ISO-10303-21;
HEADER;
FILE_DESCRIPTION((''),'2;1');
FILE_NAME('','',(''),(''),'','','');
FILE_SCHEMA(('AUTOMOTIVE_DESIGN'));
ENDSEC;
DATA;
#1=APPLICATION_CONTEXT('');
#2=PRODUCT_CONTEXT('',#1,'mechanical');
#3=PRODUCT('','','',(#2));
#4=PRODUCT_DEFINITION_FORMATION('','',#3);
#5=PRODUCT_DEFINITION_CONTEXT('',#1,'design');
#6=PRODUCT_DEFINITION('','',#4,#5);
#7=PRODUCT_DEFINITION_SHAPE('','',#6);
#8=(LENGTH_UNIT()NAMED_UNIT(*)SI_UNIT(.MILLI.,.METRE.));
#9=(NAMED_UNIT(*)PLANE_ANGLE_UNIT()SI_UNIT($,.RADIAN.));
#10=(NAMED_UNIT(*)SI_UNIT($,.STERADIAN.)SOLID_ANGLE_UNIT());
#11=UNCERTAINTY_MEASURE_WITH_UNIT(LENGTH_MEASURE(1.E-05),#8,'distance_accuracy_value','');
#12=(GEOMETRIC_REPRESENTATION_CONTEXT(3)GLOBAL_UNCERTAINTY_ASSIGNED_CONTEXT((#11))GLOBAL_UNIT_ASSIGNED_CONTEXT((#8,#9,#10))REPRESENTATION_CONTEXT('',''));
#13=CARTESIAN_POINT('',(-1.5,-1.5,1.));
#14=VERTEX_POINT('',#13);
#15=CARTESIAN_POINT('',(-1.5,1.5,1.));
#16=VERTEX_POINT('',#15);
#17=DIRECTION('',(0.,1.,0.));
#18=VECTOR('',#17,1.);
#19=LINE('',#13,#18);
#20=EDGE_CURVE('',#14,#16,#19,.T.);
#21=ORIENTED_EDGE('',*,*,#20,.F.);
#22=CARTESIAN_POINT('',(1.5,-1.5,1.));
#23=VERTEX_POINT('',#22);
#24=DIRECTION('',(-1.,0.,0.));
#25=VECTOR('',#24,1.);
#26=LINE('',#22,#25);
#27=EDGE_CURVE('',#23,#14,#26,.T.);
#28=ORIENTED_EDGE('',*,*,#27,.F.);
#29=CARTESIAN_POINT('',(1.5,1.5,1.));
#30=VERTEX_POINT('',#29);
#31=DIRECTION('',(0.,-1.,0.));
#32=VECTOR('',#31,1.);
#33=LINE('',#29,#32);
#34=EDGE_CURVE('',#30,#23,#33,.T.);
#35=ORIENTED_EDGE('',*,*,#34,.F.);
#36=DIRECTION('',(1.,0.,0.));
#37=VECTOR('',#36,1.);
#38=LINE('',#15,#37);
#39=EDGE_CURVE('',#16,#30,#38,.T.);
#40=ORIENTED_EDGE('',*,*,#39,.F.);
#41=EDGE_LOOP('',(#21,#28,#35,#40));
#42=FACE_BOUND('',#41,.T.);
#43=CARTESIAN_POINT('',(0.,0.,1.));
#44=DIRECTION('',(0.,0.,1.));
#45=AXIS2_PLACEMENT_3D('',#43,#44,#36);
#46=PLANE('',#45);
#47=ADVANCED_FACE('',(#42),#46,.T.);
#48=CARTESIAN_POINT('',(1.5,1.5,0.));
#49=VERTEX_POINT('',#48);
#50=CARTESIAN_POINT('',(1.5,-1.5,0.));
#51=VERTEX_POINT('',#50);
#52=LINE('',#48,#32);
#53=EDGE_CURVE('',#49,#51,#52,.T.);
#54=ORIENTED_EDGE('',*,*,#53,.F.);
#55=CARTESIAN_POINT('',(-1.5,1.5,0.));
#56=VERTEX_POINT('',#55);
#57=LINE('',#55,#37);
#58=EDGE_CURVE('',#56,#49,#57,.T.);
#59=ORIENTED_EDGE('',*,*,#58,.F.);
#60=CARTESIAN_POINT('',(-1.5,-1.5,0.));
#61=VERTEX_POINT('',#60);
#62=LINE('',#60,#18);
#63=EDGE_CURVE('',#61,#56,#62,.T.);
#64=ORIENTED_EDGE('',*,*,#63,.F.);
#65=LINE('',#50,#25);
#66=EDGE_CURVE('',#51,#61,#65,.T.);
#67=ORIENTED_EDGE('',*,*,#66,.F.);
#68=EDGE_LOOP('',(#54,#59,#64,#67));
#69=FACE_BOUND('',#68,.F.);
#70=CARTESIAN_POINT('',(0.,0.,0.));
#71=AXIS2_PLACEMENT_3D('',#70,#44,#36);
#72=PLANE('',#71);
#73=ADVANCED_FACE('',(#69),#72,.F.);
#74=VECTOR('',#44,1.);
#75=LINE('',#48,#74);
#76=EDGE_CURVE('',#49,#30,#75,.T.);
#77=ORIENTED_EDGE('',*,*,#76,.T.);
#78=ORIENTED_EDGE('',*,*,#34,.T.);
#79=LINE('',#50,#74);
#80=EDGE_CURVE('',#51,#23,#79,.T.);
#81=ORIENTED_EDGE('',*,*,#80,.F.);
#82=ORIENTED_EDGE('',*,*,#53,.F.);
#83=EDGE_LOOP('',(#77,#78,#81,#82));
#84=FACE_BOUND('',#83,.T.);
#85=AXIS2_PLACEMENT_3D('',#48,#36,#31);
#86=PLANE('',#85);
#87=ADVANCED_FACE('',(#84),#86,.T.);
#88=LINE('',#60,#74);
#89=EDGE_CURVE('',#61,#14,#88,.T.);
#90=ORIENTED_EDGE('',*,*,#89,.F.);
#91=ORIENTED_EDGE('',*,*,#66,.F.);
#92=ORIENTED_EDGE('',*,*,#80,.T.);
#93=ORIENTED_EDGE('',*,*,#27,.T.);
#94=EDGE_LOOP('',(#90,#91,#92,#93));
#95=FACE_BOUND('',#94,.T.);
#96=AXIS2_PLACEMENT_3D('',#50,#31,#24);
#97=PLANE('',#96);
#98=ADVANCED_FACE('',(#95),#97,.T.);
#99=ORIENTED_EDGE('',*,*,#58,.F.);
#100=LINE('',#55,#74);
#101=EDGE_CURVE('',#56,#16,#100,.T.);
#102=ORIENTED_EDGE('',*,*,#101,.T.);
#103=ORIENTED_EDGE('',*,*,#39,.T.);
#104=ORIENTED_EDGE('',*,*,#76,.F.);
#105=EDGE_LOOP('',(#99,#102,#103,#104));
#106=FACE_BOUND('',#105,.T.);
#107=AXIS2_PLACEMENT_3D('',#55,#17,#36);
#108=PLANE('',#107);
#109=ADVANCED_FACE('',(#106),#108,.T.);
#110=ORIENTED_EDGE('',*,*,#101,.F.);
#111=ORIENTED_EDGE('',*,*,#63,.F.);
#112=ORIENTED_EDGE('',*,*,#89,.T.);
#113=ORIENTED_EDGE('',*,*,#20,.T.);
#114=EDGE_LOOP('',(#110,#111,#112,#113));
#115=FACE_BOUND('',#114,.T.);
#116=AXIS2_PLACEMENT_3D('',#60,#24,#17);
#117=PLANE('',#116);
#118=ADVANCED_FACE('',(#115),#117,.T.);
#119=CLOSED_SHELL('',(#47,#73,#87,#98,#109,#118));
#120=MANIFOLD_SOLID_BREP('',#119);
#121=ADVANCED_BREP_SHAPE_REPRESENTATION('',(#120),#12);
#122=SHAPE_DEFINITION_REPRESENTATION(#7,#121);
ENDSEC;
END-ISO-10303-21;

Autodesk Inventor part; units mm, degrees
ref_plane "YZ Plane" through (0, 0, 0) normal (1, 0, 0) x (0, 1, 0)
ref_plane "XZ Plane" through (0, 0, 0) normal (0, 1, 0) x (-1, 0, 0)
ref_plane "XY Plane" through (0, 0, 0) normal (0, 0, 1) x (1, 0, 0)
sketch "FIDUCIAL_MARKING, DEVICE__14" plane through (0, 0, 0) normal (0, 0, 1) x (1, 0, 0)
  line L0 (-1.5, -1.5) -> (-1.5, 1.5)
  line L1 (-1.5, 1.5) -> (1.5, 1.5)
  line L2 (1.5, 1.5) -> (1.5, -1.5)
  line L3 (1.5, -1.5) -> (-1.5, -1.5)
extrude "Extrusion1" add sketch "FIDUCIAL_MARKING, DEVICE__14" along normal blind 1
properties part number "DEVICE?"
